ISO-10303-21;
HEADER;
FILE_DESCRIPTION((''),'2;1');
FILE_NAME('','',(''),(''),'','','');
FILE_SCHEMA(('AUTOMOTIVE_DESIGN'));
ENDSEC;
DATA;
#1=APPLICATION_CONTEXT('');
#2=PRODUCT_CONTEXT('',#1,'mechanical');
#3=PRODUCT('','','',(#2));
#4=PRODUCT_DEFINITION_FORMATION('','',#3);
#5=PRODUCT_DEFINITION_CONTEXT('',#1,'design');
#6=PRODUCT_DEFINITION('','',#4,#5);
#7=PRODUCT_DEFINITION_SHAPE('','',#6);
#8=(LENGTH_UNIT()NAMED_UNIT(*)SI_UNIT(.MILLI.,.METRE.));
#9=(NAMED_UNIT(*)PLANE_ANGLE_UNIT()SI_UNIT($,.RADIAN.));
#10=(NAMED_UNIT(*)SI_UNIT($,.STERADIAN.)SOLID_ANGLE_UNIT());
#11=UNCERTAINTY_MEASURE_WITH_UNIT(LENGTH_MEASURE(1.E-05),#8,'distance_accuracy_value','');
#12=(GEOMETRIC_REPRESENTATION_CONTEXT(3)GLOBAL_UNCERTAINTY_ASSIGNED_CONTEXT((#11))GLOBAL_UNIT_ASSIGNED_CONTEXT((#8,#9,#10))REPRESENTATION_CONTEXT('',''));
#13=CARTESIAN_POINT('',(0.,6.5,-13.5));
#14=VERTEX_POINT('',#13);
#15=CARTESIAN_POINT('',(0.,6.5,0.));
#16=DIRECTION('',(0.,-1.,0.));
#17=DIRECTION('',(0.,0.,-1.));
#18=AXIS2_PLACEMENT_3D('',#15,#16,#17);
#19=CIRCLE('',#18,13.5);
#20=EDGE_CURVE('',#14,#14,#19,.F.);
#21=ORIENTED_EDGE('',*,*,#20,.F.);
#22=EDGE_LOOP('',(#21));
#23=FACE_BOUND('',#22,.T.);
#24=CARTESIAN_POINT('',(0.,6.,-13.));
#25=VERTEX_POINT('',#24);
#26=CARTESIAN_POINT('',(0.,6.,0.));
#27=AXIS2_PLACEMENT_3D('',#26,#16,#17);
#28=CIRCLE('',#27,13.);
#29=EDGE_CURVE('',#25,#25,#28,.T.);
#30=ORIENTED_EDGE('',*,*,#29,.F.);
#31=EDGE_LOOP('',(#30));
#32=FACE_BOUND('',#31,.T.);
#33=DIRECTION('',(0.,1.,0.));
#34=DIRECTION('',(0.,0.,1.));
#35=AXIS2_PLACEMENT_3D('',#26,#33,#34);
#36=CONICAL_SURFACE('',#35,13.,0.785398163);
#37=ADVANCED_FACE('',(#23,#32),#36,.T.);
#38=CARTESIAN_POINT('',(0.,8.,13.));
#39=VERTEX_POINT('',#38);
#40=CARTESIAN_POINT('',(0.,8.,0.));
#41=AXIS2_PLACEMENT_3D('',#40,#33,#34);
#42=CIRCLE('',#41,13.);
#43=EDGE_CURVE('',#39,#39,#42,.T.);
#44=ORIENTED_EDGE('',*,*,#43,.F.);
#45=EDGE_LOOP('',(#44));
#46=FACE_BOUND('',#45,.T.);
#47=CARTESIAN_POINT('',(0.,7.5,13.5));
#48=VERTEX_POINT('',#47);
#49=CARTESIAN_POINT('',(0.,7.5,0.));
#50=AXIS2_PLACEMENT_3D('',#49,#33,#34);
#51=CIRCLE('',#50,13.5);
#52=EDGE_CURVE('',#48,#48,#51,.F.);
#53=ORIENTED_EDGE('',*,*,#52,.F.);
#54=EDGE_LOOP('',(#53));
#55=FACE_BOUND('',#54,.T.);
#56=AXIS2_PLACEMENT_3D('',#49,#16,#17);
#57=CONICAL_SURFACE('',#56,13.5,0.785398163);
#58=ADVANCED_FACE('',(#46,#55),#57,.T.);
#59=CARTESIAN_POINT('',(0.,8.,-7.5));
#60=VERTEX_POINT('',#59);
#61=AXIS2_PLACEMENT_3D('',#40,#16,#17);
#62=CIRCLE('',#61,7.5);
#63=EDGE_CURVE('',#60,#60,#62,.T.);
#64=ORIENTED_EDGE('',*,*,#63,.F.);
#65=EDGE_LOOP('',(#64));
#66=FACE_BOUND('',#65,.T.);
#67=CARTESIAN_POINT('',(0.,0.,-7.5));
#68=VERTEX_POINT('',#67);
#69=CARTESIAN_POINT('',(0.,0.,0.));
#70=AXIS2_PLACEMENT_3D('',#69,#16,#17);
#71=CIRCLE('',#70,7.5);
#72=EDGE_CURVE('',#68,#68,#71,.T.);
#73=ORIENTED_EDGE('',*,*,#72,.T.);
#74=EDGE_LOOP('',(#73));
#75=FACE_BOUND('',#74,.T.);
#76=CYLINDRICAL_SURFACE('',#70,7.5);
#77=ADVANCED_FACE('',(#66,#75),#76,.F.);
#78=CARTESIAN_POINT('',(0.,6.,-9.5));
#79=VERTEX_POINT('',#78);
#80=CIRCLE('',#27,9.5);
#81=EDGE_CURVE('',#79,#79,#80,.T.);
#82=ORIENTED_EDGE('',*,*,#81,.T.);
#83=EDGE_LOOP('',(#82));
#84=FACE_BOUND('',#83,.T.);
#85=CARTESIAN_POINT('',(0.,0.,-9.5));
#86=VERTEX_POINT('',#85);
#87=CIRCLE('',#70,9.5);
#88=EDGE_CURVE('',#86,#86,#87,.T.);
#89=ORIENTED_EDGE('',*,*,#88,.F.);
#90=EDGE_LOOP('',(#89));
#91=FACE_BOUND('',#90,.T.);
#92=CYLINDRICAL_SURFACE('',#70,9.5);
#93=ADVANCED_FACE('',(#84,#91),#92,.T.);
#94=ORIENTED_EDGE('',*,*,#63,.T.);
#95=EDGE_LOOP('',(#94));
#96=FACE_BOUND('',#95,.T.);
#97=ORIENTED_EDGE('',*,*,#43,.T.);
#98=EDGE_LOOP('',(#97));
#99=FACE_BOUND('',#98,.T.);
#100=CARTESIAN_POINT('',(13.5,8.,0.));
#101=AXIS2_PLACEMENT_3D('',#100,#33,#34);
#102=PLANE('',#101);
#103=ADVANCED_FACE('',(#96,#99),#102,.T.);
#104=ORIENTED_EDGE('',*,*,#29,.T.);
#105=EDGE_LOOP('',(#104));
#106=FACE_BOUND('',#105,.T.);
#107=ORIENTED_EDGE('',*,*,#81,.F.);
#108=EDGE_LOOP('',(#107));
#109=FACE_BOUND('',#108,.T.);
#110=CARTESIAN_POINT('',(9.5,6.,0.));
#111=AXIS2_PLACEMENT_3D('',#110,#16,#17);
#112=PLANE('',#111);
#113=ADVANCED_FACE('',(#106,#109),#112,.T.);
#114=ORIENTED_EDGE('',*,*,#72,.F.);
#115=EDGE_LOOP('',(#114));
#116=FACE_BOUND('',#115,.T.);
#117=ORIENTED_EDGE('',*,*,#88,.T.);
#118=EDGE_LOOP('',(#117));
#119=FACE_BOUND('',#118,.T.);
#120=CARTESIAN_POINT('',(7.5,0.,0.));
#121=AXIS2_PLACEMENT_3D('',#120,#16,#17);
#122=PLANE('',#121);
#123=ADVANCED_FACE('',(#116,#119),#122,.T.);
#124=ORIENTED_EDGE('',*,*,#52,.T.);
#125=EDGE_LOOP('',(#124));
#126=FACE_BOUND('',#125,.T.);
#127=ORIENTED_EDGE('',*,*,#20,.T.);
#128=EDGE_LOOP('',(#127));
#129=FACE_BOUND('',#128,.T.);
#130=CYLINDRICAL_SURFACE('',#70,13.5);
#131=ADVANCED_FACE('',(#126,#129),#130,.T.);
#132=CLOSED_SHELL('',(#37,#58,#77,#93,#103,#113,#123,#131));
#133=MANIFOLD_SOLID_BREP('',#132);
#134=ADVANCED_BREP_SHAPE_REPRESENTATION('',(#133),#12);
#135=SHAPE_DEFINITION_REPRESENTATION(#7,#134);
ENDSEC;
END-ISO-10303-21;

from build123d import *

# Parameters (mm, degrees)
CHAMFER1_SIZE = 0.5


with BuildPart() as part:
    # Sketch1 → Revolve1 (revolve)
    with BuildSketch(Plane.XY, mode=Mode.PRIVATE) as revolve1_sk:
        Polygon((7.5, 8), (7.5, 0), (9.5, 0), (9.5, 6), (13.5, 6), (13.5, 8), align=None)
    revolve(revolve1_sk.sketch.rotate(Axis((0, 0, 0), (0, 1, 0)), 90), axis=Axis((0, 0, 0), (0, 1, 0)))

    # Chamfer1
    chamfer1_edges = [part.edges().sort_by_distance(p)[0] for p in [
        (0, 8, 13.5),
        (0, 6, 13.5),
    ]]
    chamfer(chamfer1_edges, length=CHAMFER1_SIZE)


solid = part.part
